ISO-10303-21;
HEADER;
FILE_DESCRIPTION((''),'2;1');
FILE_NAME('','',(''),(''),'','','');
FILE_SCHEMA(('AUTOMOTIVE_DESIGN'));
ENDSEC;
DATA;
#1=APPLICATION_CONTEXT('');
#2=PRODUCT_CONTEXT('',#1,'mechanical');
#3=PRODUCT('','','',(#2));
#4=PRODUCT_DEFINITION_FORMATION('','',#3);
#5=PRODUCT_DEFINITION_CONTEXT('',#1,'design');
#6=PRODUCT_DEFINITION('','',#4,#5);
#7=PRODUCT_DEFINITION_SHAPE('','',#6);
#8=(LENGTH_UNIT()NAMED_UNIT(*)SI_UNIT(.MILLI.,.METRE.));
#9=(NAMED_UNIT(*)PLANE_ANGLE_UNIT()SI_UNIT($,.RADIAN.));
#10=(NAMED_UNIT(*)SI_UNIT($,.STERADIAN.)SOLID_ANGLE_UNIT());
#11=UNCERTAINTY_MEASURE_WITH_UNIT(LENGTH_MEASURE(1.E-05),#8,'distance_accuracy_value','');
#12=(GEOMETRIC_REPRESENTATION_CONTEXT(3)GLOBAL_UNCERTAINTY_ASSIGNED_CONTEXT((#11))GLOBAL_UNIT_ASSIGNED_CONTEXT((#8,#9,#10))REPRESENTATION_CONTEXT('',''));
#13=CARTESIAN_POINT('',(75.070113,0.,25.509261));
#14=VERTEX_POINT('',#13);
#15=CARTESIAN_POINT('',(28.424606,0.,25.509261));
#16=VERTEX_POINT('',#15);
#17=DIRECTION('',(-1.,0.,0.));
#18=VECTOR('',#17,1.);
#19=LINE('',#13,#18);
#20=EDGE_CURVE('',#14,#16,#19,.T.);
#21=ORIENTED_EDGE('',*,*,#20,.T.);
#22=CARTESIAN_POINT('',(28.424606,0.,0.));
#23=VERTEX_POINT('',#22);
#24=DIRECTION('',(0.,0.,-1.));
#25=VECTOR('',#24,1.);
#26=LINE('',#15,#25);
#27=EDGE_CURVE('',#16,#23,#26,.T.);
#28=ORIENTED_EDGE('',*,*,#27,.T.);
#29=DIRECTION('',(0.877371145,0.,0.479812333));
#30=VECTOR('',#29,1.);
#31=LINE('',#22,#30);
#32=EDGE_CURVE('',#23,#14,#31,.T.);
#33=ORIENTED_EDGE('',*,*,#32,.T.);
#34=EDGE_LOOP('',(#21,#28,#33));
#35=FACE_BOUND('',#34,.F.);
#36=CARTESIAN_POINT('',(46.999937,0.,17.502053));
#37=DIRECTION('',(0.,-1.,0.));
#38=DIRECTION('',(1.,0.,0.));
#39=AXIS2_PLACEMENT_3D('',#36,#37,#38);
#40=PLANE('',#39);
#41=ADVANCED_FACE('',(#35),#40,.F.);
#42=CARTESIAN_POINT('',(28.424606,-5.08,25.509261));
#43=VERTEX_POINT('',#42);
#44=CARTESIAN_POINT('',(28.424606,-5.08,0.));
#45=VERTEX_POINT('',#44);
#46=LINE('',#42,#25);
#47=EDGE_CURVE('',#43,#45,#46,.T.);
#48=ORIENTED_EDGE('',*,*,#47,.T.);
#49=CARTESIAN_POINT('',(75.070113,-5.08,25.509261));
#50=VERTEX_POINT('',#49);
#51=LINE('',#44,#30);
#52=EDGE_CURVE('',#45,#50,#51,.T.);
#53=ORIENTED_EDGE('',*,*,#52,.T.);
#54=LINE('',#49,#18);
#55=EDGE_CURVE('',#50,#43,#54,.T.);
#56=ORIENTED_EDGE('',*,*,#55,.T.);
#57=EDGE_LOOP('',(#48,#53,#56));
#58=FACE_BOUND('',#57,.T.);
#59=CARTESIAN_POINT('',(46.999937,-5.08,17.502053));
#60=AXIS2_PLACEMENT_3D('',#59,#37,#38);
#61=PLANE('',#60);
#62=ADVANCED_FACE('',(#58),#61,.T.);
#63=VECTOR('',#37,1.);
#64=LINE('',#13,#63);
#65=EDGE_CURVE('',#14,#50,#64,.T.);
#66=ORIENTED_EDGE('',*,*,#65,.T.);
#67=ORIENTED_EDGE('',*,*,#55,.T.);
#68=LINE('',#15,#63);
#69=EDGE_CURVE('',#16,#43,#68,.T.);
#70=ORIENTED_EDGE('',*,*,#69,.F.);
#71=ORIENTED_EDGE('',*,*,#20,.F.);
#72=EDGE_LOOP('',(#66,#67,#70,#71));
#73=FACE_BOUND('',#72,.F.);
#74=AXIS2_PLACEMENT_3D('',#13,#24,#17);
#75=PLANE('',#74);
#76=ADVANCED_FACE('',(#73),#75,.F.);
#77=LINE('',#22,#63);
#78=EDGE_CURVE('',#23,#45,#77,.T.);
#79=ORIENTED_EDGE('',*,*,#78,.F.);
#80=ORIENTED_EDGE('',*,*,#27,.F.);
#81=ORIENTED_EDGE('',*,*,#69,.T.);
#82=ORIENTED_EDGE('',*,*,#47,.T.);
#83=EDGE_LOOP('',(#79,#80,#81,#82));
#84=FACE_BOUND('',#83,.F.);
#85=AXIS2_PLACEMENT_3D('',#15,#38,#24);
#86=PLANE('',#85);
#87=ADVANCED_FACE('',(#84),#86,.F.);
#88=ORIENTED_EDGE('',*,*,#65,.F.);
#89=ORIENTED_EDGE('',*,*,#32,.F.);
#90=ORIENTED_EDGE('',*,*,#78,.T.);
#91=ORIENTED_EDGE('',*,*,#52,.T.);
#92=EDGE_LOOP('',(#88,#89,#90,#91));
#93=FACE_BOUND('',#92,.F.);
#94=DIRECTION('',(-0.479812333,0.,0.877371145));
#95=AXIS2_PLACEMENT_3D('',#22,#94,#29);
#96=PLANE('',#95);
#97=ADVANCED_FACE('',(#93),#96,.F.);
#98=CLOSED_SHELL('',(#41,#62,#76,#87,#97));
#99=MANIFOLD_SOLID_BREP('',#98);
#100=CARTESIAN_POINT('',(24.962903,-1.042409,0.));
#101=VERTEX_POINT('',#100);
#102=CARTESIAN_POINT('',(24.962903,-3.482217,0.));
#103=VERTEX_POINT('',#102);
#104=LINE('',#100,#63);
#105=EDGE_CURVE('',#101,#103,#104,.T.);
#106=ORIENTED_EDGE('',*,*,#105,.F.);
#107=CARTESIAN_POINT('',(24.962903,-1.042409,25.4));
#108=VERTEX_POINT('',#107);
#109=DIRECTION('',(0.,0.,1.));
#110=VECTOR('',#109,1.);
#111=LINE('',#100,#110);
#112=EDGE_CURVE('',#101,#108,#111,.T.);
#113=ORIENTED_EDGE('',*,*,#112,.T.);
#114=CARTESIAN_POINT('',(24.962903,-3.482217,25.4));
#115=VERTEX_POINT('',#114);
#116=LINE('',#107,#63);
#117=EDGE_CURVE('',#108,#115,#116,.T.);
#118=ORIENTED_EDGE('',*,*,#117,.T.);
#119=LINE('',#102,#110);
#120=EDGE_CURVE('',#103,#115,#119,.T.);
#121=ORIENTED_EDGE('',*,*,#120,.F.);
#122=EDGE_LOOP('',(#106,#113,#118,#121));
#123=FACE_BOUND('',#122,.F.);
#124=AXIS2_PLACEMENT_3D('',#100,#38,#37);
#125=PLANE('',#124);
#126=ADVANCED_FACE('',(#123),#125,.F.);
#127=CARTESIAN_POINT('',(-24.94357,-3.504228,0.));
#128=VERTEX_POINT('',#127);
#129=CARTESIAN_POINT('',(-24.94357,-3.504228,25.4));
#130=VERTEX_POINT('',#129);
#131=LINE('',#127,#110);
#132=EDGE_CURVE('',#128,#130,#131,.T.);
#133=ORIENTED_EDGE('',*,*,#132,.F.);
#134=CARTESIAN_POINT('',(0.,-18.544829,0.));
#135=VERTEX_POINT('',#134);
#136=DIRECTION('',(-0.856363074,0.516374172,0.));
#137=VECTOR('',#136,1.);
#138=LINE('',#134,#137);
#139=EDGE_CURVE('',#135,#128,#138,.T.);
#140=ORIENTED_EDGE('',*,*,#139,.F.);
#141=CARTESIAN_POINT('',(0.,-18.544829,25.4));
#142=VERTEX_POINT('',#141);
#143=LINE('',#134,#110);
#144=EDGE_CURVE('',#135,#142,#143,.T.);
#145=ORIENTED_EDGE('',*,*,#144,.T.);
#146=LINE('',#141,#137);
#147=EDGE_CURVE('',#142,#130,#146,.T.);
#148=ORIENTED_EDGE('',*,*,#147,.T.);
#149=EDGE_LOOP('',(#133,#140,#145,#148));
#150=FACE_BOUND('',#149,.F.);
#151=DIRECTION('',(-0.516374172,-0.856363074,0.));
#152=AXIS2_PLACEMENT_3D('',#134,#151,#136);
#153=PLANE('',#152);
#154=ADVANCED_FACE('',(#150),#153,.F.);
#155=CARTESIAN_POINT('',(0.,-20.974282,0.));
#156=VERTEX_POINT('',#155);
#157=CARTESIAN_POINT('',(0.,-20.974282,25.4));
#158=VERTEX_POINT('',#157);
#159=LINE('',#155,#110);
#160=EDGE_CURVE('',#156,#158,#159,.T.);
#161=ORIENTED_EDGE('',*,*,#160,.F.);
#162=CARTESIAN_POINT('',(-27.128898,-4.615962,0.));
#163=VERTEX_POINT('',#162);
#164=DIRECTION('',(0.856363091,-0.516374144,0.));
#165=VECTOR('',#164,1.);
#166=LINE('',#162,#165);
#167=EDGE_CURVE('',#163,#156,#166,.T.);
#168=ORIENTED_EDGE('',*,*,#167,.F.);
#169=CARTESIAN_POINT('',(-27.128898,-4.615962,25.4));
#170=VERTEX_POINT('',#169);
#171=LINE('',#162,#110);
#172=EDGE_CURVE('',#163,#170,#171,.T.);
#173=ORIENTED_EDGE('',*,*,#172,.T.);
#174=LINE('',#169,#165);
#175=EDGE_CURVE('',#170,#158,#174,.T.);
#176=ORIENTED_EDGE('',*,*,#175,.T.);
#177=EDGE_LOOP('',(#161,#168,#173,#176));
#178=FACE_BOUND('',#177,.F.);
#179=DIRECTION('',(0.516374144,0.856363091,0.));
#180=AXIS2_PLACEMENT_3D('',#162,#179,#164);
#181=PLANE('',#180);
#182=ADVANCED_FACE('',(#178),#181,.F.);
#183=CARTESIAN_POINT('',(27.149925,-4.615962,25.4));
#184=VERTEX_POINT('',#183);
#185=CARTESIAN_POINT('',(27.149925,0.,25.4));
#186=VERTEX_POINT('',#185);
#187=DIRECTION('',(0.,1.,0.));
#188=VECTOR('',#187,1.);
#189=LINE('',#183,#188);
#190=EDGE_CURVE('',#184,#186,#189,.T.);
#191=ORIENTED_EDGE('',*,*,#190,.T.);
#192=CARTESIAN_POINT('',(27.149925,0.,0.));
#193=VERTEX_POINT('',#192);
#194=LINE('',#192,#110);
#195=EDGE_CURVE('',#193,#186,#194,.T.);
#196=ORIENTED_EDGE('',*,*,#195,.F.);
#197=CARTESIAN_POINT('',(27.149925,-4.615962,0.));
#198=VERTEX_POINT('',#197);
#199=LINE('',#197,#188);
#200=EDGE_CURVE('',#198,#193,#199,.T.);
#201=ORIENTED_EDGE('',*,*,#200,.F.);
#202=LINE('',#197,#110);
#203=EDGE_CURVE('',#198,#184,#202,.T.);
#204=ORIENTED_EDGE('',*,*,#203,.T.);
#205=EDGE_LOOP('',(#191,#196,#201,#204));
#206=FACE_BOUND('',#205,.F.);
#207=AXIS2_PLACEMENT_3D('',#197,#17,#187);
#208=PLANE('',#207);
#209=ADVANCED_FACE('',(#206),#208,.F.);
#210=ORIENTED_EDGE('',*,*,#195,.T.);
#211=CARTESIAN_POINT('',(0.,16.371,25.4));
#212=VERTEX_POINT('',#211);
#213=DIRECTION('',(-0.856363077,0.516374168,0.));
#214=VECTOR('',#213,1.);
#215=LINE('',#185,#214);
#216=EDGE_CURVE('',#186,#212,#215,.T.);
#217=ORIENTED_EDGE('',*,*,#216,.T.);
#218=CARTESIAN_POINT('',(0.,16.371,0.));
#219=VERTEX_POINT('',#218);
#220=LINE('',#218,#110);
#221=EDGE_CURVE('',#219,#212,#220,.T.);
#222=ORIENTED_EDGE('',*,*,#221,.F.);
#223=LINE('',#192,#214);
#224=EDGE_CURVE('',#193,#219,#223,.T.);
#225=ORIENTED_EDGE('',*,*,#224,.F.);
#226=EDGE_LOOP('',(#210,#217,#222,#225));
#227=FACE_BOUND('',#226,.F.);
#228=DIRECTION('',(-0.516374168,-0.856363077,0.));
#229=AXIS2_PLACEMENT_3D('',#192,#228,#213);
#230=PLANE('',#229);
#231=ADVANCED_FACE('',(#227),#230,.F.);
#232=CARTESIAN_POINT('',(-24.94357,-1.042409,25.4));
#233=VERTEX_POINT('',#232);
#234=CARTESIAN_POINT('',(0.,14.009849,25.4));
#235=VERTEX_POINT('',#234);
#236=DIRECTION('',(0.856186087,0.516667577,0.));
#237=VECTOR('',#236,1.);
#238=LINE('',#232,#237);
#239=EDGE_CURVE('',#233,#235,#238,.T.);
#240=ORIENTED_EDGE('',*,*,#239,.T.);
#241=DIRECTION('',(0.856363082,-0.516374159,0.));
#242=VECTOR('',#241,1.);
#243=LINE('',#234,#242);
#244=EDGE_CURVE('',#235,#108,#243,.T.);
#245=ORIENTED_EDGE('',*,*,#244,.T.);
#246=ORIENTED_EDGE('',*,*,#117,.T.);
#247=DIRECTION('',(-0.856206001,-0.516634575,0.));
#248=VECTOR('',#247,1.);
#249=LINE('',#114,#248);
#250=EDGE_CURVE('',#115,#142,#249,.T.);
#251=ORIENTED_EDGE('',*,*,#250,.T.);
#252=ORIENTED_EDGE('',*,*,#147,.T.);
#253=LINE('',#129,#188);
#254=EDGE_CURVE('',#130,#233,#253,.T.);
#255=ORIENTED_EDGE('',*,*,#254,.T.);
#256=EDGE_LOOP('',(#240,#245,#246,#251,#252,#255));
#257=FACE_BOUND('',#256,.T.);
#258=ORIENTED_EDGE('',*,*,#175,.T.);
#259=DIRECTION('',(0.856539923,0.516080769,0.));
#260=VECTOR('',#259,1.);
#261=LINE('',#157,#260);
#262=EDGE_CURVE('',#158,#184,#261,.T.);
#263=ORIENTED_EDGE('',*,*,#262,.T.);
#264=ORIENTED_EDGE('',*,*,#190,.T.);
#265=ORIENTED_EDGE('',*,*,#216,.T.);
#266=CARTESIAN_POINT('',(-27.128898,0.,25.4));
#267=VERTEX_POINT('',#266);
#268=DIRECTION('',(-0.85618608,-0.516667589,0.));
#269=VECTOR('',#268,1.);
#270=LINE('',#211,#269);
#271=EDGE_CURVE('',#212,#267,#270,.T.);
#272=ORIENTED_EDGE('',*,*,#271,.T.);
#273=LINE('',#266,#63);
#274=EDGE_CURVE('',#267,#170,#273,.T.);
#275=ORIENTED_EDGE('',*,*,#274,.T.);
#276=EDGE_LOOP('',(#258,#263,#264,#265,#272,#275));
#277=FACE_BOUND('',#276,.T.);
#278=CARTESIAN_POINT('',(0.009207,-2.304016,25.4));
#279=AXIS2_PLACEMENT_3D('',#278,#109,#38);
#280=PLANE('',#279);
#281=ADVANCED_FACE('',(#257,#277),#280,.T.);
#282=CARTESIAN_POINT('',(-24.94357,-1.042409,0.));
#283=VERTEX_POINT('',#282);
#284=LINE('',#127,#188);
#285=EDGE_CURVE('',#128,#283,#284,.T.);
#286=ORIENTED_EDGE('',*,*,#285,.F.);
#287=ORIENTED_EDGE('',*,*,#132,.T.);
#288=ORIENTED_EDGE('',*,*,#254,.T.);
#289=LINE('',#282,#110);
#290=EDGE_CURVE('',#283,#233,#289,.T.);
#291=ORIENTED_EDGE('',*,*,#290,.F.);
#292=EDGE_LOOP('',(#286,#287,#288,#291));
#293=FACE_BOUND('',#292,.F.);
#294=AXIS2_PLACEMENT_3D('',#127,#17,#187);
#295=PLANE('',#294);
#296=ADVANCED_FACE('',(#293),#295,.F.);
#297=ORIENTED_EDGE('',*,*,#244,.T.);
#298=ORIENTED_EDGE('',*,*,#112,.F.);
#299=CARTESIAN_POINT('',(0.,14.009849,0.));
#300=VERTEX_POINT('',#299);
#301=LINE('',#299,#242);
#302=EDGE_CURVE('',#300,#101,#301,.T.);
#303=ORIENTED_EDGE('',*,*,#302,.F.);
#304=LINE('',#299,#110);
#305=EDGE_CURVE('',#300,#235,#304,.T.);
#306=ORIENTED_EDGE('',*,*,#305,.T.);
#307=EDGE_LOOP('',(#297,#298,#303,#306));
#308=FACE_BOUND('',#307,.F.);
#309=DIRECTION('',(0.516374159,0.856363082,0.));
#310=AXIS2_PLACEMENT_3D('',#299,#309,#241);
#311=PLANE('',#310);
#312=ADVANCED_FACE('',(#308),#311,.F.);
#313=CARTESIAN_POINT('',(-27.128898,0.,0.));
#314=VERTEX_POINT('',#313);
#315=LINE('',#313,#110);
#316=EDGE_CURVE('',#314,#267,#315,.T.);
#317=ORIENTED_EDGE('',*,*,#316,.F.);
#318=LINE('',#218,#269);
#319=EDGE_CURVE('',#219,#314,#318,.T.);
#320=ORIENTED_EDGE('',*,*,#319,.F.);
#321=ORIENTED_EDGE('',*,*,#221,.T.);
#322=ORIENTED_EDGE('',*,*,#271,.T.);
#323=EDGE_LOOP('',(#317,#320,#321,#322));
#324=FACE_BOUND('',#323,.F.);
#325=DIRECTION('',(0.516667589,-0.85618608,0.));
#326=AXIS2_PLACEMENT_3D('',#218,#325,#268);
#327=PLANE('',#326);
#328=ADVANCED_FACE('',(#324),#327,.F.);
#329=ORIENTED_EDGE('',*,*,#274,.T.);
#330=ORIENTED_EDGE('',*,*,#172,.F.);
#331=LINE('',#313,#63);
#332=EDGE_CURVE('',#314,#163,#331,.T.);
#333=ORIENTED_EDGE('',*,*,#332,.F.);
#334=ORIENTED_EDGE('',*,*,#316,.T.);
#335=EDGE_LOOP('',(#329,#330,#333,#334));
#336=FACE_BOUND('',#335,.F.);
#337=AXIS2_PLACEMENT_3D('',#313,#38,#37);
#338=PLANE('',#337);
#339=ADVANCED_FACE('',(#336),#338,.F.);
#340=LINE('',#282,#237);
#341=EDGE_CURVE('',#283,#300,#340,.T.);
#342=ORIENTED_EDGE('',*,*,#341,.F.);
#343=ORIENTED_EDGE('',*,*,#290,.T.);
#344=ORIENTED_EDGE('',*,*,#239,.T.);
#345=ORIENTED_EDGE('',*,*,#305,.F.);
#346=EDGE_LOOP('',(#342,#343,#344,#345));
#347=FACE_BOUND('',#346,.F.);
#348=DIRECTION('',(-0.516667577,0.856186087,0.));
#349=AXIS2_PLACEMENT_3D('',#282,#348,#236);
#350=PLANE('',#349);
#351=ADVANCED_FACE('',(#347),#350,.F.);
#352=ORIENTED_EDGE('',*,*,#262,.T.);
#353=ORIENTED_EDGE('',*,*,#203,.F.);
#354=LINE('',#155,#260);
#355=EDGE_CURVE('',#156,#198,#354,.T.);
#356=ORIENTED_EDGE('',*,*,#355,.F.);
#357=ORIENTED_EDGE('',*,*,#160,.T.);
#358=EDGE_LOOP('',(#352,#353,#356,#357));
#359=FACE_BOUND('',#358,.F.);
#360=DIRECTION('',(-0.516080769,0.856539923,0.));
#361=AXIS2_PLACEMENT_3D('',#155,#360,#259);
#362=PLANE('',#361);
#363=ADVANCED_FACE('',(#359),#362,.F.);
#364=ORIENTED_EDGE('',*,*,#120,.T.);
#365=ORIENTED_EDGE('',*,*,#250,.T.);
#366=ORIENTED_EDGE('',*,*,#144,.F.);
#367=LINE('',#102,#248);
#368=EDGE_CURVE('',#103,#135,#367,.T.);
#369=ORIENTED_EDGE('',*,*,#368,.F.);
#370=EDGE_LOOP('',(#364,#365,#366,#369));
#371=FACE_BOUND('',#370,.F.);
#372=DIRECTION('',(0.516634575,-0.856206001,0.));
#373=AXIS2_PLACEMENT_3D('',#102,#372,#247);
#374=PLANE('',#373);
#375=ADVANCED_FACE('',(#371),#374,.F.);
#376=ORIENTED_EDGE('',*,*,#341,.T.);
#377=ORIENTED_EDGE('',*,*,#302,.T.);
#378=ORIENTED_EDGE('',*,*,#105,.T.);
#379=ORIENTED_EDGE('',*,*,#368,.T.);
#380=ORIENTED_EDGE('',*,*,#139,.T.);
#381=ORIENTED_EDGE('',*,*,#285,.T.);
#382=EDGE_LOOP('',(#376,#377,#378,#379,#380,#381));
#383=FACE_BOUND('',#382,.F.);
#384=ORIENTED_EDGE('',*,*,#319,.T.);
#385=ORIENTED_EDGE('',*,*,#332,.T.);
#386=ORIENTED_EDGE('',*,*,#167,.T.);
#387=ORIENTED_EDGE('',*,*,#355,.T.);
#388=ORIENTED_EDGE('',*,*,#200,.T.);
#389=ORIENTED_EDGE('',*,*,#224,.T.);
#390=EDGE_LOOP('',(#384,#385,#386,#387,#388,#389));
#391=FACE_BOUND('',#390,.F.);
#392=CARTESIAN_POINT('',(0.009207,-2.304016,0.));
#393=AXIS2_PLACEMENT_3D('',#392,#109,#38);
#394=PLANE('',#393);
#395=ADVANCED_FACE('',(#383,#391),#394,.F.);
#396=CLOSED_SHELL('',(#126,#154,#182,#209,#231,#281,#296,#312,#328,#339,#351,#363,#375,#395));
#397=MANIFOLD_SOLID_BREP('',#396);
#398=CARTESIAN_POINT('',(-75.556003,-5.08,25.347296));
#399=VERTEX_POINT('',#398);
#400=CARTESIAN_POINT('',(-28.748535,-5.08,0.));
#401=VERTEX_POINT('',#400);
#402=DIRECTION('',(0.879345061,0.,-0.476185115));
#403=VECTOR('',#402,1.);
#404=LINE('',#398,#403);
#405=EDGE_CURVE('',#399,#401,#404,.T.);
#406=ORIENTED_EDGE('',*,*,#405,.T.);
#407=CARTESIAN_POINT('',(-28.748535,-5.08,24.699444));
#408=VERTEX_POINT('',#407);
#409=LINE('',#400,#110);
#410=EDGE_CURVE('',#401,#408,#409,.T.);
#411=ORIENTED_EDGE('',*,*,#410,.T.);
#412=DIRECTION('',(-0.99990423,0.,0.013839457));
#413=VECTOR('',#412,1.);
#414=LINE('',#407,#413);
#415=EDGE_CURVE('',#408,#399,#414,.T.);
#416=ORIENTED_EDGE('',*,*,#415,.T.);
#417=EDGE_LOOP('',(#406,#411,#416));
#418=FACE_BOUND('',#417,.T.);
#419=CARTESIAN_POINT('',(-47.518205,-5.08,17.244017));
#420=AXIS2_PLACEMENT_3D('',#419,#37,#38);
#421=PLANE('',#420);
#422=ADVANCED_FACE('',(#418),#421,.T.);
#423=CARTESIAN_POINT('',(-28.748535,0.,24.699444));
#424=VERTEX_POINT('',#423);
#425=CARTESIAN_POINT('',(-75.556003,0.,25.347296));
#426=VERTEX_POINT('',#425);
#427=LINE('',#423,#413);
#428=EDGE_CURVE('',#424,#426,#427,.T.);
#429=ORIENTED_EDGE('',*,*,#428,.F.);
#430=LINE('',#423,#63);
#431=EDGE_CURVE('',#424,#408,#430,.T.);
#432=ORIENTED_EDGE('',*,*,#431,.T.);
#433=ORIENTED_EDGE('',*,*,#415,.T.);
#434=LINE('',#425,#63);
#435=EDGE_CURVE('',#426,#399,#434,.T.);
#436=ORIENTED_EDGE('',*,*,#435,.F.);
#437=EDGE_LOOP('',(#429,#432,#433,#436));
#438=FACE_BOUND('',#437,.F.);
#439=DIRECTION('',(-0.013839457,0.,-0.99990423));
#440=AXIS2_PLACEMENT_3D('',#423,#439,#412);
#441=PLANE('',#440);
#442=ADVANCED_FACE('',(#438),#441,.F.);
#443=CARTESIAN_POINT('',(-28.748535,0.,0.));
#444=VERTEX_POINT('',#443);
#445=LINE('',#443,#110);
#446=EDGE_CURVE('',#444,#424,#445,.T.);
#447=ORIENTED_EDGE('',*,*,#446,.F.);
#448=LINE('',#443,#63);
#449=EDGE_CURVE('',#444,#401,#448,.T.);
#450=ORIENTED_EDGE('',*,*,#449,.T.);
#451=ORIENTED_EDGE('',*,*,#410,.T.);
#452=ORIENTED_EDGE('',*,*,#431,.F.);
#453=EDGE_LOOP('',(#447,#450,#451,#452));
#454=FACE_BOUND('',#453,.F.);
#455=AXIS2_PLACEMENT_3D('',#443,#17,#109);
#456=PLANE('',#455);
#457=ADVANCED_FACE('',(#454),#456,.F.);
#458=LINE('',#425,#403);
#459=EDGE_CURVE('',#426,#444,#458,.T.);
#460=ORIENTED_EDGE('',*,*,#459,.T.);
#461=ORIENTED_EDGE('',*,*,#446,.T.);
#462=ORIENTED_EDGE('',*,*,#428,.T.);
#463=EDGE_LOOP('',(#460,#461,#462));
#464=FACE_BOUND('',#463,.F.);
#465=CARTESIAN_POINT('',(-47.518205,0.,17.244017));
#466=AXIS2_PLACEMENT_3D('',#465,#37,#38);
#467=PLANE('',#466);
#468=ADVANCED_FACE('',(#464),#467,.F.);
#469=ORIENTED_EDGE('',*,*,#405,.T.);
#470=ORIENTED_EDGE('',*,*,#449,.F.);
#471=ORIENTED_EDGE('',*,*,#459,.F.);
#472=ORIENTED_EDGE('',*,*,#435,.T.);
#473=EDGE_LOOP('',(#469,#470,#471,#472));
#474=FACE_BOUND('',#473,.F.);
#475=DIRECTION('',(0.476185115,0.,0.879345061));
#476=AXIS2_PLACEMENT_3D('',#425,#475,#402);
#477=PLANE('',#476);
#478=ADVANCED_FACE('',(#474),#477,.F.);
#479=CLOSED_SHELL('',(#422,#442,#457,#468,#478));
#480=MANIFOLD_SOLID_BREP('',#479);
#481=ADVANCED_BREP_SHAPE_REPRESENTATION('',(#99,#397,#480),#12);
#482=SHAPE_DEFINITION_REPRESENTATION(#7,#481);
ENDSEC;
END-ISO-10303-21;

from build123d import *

# Parameters (mm, degrees)
F1_DEPTH = 5.08
F3_DEPTH = 25.4


with BuildPart() as f1:
    # F0 (on Front) → F1 (new body)
    with BuildSketch(Plane.XZ):
        Polygon((-28.748535, 24.699444), (-75.556003, 25.347296), (-28.748535, 0), align=None)
        Polygon((28.424606, 25.509261), (28.424606, 0), (75.070113, 25.509261), align=None)
    extrude(amount=F1_DEPTH)


with BuildPart() as f3:
    # F2 (on Top) → F3 (new body)
    with BuildSketch(Plane.XY):
        Polygon((0, 16.371), (-27.128898, 0), (-27.128898, -4.615962), (0, -20.974282), (27.149925, -4.615962), (27.149925, 0), align=None)
        Polygon((-24.94357, -1.042409), (0, 14.009849), (24.962903, -1.042409), (24.962903, -3.482217), (0, -18.544829), (-24.94357, -3.504228), align=None, mode=Mode.SUBTRACT)
    extrude(amount=F3_DEPTH)


solid = Compound([f1.part, f3.part])
